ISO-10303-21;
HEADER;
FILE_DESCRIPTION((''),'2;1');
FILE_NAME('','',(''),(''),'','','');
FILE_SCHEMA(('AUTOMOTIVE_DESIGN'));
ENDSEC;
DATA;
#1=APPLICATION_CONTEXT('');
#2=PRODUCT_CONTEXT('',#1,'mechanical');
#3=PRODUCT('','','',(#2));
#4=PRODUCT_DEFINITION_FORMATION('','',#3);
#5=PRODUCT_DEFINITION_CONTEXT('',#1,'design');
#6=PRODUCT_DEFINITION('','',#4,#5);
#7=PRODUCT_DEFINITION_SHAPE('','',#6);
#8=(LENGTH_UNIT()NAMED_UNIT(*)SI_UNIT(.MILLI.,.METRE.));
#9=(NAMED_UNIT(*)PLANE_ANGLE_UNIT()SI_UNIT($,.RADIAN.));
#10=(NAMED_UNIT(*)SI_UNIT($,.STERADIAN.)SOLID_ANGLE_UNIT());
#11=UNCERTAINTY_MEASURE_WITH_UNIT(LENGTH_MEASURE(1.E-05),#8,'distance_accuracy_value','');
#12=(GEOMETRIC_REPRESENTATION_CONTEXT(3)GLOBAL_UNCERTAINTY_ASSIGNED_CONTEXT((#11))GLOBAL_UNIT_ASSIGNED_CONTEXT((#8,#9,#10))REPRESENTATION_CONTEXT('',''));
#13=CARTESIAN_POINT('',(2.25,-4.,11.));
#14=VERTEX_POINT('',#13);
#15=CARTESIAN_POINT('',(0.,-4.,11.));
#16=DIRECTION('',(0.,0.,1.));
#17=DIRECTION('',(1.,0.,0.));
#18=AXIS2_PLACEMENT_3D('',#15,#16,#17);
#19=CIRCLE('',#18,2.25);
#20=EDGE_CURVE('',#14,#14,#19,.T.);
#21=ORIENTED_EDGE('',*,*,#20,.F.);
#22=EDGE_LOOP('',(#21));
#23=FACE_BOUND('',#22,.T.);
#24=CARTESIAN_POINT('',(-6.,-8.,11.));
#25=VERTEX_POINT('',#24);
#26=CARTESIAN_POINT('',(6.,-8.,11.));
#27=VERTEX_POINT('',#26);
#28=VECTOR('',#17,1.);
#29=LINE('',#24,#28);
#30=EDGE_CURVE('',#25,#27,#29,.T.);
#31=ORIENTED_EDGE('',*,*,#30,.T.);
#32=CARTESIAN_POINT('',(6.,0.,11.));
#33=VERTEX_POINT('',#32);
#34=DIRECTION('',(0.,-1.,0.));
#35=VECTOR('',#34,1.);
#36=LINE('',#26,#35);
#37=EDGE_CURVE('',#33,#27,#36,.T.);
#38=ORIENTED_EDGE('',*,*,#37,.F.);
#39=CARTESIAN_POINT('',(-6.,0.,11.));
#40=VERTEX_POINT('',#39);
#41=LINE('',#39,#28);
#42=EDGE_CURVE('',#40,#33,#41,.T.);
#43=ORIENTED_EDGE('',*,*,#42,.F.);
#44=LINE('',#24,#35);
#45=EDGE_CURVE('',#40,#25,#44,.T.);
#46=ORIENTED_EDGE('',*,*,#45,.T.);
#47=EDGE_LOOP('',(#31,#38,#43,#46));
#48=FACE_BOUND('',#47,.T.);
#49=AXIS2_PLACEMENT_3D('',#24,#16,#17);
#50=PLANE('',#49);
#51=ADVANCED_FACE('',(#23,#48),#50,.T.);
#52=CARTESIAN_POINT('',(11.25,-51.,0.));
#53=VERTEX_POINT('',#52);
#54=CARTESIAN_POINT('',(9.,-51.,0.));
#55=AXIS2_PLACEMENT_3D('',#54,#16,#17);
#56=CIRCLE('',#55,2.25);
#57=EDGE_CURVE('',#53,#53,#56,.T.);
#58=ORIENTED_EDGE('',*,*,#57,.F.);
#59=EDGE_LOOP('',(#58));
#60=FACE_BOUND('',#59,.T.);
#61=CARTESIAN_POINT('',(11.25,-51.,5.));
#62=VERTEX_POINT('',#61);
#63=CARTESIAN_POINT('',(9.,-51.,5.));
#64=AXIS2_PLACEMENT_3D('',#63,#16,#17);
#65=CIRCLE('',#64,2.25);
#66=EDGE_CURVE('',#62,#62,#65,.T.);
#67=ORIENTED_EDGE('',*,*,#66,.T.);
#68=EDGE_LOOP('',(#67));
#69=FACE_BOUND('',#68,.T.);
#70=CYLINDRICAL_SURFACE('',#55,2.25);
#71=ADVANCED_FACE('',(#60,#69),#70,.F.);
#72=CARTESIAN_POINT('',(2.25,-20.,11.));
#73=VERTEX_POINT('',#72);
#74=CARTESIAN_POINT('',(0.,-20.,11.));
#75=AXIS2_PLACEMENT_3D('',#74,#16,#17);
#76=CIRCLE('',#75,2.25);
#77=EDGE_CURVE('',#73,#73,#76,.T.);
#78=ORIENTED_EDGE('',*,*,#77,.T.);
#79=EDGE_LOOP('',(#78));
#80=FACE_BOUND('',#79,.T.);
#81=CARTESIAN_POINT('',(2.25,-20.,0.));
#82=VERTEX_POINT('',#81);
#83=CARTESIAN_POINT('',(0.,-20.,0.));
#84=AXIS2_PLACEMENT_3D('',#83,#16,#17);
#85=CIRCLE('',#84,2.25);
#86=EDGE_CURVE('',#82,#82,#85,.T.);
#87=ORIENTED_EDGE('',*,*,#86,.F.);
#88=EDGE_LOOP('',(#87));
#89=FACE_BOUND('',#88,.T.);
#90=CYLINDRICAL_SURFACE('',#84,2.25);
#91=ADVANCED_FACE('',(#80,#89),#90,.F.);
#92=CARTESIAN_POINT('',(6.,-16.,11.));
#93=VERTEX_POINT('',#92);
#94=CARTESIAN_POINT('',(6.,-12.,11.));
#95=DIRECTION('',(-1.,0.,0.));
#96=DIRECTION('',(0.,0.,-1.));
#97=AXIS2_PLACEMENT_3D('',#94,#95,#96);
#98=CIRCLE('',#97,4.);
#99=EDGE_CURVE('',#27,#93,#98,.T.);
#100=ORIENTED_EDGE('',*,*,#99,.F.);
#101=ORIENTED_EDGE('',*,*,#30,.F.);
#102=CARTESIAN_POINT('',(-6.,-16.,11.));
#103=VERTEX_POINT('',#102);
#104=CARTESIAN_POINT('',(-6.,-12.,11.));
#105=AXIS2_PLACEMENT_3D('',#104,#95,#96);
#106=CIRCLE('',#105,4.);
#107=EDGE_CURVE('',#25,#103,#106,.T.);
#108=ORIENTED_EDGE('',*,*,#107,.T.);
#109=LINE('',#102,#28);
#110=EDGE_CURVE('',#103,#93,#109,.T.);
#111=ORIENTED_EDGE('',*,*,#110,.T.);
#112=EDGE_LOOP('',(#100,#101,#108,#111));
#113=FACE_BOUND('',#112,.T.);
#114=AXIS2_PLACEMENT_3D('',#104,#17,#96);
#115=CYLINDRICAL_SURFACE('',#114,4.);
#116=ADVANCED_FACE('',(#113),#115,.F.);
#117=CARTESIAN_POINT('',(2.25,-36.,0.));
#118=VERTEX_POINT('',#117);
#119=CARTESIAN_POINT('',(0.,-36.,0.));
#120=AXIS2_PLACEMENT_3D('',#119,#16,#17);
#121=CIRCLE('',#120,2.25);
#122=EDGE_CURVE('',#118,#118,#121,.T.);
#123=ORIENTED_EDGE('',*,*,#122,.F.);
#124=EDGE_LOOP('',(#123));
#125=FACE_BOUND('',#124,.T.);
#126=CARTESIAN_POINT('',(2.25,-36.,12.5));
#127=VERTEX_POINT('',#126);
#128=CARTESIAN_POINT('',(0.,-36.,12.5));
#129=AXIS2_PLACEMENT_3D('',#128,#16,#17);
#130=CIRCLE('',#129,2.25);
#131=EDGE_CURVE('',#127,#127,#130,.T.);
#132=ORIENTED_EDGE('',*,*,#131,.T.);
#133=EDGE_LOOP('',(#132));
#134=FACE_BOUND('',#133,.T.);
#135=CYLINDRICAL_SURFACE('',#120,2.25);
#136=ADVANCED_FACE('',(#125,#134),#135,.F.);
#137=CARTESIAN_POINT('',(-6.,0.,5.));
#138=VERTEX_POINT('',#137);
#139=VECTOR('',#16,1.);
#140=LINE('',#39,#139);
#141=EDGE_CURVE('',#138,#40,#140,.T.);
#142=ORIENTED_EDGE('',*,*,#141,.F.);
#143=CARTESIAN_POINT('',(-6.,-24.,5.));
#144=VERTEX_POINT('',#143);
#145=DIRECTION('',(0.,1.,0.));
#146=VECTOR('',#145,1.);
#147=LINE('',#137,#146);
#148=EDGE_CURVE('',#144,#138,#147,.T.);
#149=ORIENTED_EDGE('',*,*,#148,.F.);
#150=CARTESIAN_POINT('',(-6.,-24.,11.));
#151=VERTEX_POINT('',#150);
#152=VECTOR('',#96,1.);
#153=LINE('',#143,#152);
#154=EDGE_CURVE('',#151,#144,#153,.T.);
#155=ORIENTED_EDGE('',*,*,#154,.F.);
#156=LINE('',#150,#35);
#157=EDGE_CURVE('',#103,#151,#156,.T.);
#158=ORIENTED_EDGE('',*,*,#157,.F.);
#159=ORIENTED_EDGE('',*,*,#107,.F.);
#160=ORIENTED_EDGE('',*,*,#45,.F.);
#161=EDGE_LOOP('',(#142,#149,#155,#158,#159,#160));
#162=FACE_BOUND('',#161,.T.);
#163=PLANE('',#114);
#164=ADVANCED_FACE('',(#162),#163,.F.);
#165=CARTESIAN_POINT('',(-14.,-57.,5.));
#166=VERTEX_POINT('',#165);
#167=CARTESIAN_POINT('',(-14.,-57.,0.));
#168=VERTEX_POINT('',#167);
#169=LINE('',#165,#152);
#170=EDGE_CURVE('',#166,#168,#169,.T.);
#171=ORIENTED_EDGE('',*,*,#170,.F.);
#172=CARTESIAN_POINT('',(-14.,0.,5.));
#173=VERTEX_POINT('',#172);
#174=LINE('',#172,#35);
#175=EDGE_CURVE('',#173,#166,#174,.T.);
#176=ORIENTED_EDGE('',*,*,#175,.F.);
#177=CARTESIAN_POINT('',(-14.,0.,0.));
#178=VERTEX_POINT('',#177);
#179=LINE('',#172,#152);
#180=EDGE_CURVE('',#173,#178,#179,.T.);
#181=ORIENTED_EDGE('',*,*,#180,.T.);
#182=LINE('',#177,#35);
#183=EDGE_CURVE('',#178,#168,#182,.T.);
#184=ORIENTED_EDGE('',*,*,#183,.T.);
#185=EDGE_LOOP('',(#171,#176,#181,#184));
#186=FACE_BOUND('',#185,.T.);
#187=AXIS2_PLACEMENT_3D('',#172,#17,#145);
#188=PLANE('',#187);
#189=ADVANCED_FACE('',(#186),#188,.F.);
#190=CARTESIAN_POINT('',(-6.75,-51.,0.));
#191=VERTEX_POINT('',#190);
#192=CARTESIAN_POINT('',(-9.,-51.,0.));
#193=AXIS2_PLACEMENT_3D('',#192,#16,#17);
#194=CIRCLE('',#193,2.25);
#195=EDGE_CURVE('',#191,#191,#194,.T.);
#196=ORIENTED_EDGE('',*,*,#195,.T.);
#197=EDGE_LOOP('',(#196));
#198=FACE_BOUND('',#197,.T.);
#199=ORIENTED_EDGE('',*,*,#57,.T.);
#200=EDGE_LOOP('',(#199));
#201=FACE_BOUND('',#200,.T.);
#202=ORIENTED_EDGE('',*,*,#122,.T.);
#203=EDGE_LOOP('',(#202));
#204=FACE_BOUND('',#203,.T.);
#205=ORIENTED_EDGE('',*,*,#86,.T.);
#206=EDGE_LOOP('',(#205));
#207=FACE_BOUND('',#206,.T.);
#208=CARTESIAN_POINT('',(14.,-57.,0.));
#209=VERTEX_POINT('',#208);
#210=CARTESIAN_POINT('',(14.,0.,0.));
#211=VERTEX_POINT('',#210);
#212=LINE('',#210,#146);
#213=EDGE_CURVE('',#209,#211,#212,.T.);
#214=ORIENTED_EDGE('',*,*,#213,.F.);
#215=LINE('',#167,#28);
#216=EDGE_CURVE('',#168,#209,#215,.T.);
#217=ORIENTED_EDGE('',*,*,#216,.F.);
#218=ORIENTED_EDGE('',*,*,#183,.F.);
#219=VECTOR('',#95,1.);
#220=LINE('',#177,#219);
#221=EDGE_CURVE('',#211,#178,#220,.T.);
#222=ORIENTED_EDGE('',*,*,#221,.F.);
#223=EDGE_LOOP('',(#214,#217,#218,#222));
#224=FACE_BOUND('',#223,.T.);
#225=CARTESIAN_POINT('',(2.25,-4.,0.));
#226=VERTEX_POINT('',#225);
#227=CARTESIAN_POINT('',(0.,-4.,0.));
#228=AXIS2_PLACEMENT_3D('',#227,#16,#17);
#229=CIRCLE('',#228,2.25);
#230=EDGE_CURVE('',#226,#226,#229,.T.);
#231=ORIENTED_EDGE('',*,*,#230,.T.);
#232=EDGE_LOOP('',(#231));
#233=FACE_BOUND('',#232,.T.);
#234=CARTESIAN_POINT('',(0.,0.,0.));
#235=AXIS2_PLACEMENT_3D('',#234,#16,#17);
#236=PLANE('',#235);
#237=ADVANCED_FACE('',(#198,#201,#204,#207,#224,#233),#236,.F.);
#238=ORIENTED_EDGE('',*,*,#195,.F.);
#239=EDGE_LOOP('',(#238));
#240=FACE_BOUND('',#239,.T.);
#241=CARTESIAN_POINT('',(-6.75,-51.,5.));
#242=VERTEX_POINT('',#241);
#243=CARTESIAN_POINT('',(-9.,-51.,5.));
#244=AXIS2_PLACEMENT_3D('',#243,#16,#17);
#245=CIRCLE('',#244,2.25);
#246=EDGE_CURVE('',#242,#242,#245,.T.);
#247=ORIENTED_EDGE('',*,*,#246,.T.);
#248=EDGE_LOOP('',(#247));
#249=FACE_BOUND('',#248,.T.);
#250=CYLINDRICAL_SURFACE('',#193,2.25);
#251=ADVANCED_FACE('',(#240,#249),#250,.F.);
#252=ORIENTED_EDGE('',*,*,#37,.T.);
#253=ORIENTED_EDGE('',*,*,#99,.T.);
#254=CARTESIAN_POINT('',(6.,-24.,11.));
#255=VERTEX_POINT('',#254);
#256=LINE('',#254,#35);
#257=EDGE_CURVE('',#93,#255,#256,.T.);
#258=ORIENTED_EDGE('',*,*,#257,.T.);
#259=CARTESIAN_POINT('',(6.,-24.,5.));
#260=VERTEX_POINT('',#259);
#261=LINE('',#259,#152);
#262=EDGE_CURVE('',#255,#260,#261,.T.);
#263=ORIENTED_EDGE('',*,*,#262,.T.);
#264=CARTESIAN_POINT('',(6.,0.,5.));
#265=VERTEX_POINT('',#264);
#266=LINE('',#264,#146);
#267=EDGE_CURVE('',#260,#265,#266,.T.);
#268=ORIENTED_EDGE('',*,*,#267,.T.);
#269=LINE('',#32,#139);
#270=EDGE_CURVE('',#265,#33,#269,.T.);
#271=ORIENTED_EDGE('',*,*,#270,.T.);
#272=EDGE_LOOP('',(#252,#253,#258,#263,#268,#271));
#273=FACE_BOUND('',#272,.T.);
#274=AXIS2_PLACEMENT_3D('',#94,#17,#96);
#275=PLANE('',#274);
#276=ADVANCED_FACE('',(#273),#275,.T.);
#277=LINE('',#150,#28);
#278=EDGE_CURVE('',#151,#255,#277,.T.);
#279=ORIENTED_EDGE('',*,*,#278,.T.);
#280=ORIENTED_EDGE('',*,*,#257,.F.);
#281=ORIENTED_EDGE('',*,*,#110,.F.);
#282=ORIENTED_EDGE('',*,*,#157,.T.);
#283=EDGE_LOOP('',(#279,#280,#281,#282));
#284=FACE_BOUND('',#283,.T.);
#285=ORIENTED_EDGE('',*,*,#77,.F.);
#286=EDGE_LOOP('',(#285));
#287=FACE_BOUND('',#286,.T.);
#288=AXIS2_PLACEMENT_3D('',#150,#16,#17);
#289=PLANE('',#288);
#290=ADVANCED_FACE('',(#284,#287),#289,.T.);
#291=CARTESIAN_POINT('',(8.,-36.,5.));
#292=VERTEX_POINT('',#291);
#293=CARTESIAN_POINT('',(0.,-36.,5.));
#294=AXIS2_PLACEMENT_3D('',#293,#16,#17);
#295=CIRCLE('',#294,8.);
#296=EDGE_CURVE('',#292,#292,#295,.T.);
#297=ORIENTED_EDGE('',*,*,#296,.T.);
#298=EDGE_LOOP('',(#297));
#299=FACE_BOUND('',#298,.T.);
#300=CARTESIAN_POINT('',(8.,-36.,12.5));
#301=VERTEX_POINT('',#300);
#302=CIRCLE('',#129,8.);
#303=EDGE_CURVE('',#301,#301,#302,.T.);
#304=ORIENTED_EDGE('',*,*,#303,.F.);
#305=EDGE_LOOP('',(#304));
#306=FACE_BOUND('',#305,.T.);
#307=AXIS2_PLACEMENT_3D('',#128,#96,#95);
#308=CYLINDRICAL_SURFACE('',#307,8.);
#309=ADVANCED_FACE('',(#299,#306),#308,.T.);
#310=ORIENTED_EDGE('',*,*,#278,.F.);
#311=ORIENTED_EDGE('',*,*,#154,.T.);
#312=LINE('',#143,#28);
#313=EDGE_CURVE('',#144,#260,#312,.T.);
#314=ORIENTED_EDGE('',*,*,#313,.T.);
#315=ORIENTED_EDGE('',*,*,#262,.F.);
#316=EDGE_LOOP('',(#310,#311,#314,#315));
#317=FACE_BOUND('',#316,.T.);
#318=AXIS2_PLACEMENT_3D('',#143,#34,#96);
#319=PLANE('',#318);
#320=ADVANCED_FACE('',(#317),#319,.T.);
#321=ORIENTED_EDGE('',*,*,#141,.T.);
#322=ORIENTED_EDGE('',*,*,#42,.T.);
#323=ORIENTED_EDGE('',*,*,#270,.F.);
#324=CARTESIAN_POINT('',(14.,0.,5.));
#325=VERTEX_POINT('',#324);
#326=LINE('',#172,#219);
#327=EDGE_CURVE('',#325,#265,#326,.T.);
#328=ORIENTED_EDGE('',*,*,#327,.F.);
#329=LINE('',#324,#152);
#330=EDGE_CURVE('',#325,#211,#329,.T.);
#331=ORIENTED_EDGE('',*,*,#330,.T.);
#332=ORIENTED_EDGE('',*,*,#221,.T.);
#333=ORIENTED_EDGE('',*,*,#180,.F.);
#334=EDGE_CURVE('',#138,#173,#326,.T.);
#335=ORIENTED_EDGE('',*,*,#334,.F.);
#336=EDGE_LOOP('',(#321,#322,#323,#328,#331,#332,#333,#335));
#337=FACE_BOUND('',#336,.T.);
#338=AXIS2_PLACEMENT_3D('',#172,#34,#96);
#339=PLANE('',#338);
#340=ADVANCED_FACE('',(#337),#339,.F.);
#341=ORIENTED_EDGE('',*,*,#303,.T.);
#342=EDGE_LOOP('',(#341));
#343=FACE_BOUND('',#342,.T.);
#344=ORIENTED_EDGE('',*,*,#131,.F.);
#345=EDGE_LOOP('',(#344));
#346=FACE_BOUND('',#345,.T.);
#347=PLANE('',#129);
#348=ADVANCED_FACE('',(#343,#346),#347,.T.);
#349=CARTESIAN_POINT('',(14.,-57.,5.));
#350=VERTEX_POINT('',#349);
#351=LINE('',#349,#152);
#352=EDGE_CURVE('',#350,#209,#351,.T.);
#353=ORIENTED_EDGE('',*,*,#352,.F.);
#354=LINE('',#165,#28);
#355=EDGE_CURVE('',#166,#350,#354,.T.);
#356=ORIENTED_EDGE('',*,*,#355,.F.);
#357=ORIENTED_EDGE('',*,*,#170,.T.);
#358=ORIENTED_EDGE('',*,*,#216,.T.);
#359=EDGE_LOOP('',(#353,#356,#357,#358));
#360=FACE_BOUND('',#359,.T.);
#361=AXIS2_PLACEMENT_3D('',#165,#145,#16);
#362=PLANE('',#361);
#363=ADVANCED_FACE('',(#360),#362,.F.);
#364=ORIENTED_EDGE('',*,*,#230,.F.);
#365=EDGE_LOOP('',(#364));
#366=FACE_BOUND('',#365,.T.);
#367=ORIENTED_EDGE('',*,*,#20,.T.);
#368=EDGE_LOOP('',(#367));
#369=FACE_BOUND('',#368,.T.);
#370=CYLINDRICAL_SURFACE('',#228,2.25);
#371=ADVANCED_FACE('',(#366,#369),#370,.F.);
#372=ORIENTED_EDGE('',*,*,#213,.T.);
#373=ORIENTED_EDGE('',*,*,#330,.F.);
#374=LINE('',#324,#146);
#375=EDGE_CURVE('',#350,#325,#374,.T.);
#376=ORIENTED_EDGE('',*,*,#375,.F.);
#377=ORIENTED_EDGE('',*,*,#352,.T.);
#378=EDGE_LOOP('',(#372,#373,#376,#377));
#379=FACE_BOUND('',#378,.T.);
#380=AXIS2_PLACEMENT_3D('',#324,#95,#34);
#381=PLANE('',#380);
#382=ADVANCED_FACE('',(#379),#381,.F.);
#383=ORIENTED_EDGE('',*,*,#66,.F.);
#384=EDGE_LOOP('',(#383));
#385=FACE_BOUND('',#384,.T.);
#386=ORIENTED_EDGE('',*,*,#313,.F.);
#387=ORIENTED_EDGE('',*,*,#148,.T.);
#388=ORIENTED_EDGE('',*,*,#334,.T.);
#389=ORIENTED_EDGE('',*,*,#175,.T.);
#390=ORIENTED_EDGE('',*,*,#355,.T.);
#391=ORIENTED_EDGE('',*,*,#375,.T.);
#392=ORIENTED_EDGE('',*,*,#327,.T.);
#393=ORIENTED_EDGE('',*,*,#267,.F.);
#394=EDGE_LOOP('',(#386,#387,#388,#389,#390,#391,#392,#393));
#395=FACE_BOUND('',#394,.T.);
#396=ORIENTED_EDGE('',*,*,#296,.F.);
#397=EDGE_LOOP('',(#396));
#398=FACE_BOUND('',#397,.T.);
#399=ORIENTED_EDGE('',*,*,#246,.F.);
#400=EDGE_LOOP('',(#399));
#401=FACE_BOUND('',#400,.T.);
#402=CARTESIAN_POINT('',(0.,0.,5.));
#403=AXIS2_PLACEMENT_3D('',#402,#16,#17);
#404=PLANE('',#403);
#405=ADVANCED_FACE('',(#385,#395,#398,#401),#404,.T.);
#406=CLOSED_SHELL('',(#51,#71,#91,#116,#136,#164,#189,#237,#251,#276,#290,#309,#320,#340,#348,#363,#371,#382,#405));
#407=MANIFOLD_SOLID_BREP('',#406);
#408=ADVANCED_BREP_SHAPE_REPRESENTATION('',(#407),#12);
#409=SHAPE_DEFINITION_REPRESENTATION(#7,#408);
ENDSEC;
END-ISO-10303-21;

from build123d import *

# Parameters (mm, degrees)
SKETCH1_W           = 28
SKETCH1_H           = 57
BOSS_EXTRUDE1_DEPTH = 5
BOSS_EXTRUDE2_DEPTH = 6
SKETCH3_R           = 2.25
CUT_EXTRUDE1_DEPTH  = 60.715994507
SKETCH4_R           = 2.25
CUT_EXTRUDE2_DEPTH  = 60
SKETCH5_R           = 8
BOSS_EXTRUDE3_DEPTH = 7.5
SKETCH6_R           = 2.25
CUT_EXTRUDE3_DEPTH  = 61.010415763


with BuildPart() as part:
    # Sketch1 → Boss-Extrude1 (new body)
    with BuildSketch(Plane.XY):
        with Locations((0, -28.5)):
            Rectangle(SKETCH1_W, SKETCH1_H)
    extrude(amount=BOSS_EXTRUDE1_DEPTH)

    # Sketch2 → Boss-Extrude2 (add, symmetric)
    with BuildSketch(Plane(origin=(0, 0, 0), x_dir=(0, 0, -1), z_dir=(1, 0, 0))):
        with BuildLine():
            Line((-5, 0), (-5, -24))
            Line((-5, -24), (-11, -24))
            Line((-11, -24), (-11, -16))
            ThreePointArc((-11, -16), (-7, -12), (-11, -8))
            Line((-11, -8), (-11, 0))
            Line((-11, 0), (-5, 0))
        make_face()
    extrude(amount=BOSS_EXTRUDE2_DEPTH, both=True)

    # Sketch3 → Cut-Extrude1 (cut, through all)
    with BuildSketch(Plane.XY.offset(11)):
        with Locations((0, -4)):
            Circle(SKETCH3_R)
        with Locations((0, -20)):
            Circle(SKETCH3_R)
    extrude(amount=-CUT_EXTRUDE1_DEPTH, mode=Mode.SUBTRACT)

    # Sketch4 → Cut-Extrude2 (cut, through all)
    with BuildSketch(Plane.XY.offset(5)):
        with Locations((-9, -51)):
            Circle(SKETCH4_R)
        with Locations((9, -51)):
            Circle(SKETCH4_R)
    extrude(amount=-CUT_EXTRUDE2_DEPTH, mode=Mode.SUBTRACT)

    # Sketch5 → Boss-Extrude3 (add)
    with BuildSketch(Plane.XY.offset(5)):
        with Locations((0, -36)):
            Circle(SKETCH5_R)
    extrude(amount=BOSS_EXTRUDE3_DEPTH)

    # Sketch6 → Cut-Extrude3 (cut, through all)
    with BuildSketch(Plane.XY.offset(12.5)):
        with Locations((0, -36)):
            Circle(SKETCH6_R)
    extrude(amount=-CUT_EXTRUDE3_DEPTH, mode=Mode.SUBTRACT)


solid = part.part
